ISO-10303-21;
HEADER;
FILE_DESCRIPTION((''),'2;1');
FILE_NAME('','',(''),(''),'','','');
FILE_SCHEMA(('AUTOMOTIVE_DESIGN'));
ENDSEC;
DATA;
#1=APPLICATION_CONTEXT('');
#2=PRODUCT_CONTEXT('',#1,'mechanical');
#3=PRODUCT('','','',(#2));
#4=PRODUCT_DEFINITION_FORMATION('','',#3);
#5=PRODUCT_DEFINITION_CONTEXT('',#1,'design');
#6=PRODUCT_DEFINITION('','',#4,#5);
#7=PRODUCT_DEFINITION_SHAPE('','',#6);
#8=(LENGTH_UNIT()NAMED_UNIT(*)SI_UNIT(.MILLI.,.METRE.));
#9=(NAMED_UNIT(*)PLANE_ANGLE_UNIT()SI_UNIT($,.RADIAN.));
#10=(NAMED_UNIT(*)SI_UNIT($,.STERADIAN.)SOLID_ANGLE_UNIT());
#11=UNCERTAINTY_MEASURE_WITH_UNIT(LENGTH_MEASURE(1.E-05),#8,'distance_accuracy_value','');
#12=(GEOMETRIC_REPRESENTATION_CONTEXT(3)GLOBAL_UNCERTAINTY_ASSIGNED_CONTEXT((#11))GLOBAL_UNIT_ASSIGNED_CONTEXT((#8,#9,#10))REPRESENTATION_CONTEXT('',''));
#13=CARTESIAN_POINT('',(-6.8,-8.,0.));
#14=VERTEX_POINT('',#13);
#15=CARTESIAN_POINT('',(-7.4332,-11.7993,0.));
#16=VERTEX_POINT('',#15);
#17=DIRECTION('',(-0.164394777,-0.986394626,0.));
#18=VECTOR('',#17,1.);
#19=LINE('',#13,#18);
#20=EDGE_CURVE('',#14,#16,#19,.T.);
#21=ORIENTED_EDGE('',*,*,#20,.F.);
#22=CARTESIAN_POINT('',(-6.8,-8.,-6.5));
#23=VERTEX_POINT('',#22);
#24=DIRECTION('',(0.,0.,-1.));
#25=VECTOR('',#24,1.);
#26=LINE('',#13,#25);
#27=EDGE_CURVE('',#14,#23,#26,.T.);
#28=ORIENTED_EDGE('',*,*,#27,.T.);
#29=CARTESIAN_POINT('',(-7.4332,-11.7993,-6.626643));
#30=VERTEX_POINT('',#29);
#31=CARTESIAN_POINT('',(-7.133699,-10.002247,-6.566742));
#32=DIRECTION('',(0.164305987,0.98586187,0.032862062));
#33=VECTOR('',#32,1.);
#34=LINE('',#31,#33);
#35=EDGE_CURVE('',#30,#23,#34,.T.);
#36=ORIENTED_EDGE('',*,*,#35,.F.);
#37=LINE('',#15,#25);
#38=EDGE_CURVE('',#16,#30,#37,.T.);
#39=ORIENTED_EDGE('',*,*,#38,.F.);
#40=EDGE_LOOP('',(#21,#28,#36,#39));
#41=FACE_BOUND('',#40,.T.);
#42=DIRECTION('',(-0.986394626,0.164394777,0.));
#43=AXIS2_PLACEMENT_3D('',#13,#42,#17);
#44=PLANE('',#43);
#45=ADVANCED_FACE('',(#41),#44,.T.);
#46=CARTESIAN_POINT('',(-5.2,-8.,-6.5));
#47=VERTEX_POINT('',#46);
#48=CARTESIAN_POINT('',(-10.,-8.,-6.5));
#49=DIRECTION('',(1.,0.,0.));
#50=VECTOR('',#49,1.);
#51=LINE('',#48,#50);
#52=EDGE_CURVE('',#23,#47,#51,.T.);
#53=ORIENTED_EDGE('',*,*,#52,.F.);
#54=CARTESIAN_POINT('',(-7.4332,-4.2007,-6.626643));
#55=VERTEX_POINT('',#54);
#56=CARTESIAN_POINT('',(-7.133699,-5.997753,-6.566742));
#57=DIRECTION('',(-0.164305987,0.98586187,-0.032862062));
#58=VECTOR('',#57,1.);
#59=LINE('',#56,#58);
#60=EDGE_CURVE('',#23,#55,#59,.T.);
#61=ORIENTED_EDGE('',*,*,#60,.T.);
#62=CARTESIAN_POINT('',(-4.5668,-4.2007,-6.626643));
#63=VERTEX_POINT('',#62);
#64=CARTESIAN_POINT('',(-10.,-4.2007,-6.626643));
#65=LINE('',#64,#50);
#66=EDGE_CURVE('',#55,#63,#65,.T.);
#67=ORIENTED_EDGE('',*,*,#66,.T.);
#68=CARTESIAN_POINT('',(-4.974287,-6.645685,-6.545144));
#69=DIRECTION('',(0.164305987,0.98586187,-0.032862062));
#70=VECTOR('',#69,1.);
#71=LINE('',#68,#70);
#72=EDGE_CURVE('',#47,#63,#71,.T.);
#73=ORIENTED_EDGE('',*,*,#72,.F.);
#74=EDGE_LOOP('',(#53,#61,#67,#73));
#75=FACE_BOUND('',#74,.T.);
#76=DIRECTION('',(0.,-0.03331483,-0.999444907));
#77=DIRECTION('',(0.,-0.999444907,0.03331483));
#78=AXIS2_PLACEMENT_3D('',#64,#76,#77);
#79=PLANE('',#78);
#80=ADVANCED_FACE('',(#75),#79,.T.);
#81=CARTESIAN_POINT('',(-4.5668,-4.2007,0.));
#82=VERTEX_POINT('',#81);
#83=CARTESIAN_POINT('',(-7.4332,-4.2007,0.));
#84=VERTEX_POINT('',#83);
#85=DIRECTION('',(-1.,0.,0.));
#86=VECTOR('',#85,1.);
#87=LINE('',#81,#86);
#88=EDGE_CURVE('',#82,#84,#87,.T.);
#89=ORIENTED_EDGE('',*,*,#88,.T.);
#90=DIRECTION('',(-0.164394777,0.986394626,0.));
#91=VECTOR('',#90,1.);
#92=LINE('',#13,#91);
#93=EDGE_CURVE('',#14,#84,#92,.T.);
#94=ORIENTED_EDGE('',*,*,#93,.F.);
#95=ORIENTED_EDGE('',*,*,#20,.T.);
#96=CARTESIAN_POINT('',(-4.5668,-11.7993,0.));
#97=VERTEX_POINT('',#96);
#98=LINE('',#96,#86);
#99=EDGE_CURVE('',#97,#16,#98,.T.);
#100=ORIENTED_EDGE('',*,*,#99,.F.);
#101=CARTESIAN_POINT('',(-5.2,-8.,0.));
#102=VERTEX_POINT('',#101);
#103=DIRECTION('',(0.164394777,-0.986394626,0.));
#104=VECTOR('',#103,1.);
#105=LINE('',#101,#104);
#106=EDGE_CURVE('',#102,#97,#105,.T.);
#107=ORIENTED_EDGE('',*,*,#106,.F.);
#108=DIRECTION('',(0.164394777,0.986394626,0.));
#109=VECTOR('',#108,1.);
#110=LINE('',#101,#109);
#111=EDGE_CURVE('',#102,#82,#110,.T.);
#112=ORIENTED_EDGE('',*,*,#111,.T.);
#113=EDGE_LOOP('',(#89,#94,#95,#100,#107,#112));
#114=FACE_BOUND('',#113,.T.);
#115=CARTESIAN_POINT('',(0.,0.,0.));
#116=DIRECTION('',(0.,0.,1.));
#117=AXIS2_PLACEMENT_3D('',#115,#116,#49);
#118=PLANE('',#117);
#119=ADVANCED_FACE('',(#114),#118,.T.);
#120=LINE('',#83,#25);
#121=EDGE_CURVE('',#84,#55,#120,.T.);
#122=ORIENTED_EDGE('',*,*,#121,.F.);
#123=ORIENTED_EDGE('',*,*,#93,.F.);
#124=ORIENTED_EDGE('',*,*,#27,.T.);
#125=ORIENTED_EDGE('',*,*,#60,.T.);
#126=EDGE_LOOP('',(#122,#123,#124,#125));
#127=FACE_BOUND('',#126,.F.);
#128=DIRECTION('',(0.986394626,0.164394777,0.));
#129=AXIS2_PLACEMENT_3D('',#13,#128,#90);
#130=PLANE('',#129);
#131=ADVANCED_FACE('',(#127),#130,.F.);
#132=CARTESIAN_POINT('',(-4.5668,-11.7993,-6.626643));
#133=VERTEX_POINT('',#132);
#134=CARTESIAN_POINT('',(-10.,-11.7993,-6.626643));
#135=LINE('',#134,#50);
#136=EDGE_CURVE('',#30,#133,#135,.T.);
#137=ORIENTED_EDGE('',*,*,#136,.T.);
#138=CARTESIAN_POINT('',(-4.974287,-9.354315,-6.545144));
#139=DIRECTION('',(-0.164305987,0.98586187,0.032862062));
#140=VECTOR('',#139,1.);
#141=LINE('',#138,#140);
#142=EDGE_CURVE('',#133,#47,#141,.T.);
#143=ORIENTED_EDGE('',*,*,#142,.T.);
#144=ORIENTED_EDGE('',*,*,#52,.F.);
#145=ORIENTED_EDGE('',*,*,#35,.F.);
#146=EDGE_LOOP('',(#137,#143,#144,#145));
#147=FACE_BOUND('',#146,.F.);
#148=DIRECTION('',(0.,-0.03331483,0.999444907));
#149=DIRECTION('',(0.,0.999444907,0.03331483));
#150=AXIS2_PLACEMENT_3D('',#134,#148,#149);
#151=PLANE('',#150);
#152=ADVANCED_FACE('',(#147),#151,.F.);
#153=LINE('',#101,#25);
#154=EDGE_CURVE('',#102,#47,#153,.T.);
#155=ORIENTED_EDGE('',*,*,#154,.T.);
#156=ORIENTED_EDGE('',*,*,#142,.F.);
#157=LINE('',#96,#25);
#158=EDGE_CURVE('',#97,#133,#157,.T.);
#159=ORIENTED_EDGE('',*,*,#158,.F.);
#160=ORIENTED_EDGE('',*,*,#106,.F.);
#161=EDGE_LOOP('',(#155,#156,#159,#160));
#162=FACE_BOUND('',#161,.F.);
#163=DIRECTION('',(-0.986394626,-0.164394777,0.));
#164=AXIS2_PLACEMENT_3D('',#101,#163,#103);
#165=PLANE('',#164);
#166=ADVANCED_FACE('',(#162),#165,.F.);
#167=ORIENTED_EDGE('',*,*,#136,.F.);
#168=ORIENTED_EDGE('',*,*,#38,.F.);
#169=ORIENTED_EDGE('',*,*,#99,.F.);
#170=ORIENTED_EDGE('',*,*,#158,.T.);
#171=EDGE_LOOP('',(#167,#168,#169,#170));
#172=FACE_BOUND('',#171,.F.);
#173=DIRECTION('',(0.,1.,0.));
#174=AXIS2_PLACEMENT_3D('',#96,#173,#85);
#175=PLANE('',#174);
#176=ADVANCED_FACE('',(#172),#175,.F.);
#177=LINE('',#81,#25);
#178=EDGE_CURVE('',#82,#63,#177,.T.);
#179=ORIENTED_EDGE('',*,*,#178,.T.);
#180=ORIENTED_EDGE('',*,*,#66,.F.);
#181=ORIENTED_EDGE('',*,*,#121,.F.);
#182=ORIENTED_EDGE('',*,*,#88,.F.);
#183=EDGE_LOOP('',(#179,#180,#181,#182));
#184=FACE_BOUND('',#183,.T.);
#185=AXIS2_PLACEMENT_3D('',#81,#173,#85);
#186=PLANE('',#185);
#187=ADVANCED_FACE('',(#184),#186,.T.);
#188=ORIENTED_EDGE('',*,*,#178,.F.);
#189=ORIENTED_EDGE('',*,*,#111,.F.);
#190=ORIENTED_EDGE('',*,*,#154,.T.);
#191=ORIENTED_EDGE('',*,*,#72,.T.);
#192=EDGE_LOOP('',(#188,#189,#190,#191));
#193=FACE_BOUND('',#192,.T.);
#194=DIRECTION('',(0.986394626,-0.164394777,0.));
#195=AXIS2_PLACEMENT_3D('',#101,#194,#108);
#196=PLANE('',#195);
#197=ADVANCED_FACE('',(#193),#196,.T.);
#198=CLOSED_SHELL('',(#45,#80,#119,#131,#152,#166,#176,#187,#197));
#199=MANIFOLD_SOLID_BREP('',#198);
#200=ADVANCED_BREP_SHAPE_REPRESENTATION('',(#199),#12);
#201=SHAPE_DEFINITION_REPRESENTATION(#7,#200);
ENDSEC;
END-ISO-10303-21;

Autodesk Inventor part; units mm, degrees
ref_plane "YZ Plane" through (0, 0, 0) normal (1, 0, 0) x (0, 1, 0)
ref_plane "XZ Plane" through (0, 0, 0) normal (0, 1, 0) x (-1, 0, 0)
sketch "Sketch1" plane through (0, 0, 0) normal (0, 0, 1) x (1, 0, 0)
  line L0 (10, -8) -> (-10, -8) projected
  line L1 (-7, -8) -> (-7.6667, -12)
  line L2 (-7.6667, -12) -> (-4.3333, -12)
  line L3 (-4.3333, -12) -> (-5, -8)
  line L4 (-6, -8) -> (-6.0726, -4.2007)
  line L5 (-6, -8) -> (-6.8, -8)
  line L6 (-6, -8) -> (-5.2, -8)
  line L7 (-6.8, -8) -> (-7.4332, -4.2007)
  line L8 (-7.4332, -4.2007) -> (-6.0726, -4.2007)
  line L9 (-5.2, -8) -> (-4.5668, -4.2007)
  line L10 (-4.5668, -4.2007) -> (-6.0726, -4.2007)
  line L11 (-6, -8) -> (-6.0726, -11.7993)
  line L12 (-6.8, -8) -> (-7.4332, -11.7993)
  line L13 (-7.4332, -11.7993) -> (-6.0726, -11.7993)
  line L14 (-5.2, -8) -> (-4.5668, -11.7993)
  line L15 (-4.5668, -11.7993) -> (-6.0726, -11.7993)
  line L16 (-7, -8) -> (-7.6667, -4)
  line L17 (-7.6667, -4) -> (-4.3333, -4)
  line L18 (-4.3333, -4) -> (-5, -8)
  point P0 (0, 0)
  point P1 (-8, -8)
  point P2 (-5.2, -8)
  dimension "d2" = 3.8
  dimension "d3" = 0.8
  dimension "d4" = 0.8
ref_plane "Work Plane1" through (-10, -8, -5.5) normal (0, 0, -1) x (0, 1, 0)
extrude "Extrusion1" add sketch "Sketch1" against normal blind 7 contours L14 L15 L11 L0 | L0 L4 L10 L9 | L11 L13 L12 L0 | L0 L7 L8 L4
ref_plane "Work Plane2" through (-10, -8, 0) normal (-1, 0, 0) x (0, 1, 0)
sketch "Sketch2" plane through (-10, -8, 0) normal (-1, 0, 0) x (0, 1, 0)
  line L0 (3.7993, 0) -> (3.7993, 7) projected
  line L1 (0, 0) -> (0, 7) projected
  line L2 (-3.7993, 0) -> (-3.7993, 7) projected
  line L3 (15, 7) -> (0, 6.5) projected
  line L4 (0, 7) -> (3.7993, 7) projected
  line L5 (3.7993, 7) -> (0, 7)
  line L6 (-3.7993, 0) -> (-3.7993, 7)
  line L7 (-15, 7) -> (0, 6.5)
  line L8 (0, 7) -> (-3.7993, 7)
  point P0 (8, 0)
  point P1 (-3.7993, 6.6266)
  point P2 (3.7993, 6.6266)
extrude "Extrusion2" cut sketch "Sketch2" against normal through all
properties part number "key_3DPrint"
